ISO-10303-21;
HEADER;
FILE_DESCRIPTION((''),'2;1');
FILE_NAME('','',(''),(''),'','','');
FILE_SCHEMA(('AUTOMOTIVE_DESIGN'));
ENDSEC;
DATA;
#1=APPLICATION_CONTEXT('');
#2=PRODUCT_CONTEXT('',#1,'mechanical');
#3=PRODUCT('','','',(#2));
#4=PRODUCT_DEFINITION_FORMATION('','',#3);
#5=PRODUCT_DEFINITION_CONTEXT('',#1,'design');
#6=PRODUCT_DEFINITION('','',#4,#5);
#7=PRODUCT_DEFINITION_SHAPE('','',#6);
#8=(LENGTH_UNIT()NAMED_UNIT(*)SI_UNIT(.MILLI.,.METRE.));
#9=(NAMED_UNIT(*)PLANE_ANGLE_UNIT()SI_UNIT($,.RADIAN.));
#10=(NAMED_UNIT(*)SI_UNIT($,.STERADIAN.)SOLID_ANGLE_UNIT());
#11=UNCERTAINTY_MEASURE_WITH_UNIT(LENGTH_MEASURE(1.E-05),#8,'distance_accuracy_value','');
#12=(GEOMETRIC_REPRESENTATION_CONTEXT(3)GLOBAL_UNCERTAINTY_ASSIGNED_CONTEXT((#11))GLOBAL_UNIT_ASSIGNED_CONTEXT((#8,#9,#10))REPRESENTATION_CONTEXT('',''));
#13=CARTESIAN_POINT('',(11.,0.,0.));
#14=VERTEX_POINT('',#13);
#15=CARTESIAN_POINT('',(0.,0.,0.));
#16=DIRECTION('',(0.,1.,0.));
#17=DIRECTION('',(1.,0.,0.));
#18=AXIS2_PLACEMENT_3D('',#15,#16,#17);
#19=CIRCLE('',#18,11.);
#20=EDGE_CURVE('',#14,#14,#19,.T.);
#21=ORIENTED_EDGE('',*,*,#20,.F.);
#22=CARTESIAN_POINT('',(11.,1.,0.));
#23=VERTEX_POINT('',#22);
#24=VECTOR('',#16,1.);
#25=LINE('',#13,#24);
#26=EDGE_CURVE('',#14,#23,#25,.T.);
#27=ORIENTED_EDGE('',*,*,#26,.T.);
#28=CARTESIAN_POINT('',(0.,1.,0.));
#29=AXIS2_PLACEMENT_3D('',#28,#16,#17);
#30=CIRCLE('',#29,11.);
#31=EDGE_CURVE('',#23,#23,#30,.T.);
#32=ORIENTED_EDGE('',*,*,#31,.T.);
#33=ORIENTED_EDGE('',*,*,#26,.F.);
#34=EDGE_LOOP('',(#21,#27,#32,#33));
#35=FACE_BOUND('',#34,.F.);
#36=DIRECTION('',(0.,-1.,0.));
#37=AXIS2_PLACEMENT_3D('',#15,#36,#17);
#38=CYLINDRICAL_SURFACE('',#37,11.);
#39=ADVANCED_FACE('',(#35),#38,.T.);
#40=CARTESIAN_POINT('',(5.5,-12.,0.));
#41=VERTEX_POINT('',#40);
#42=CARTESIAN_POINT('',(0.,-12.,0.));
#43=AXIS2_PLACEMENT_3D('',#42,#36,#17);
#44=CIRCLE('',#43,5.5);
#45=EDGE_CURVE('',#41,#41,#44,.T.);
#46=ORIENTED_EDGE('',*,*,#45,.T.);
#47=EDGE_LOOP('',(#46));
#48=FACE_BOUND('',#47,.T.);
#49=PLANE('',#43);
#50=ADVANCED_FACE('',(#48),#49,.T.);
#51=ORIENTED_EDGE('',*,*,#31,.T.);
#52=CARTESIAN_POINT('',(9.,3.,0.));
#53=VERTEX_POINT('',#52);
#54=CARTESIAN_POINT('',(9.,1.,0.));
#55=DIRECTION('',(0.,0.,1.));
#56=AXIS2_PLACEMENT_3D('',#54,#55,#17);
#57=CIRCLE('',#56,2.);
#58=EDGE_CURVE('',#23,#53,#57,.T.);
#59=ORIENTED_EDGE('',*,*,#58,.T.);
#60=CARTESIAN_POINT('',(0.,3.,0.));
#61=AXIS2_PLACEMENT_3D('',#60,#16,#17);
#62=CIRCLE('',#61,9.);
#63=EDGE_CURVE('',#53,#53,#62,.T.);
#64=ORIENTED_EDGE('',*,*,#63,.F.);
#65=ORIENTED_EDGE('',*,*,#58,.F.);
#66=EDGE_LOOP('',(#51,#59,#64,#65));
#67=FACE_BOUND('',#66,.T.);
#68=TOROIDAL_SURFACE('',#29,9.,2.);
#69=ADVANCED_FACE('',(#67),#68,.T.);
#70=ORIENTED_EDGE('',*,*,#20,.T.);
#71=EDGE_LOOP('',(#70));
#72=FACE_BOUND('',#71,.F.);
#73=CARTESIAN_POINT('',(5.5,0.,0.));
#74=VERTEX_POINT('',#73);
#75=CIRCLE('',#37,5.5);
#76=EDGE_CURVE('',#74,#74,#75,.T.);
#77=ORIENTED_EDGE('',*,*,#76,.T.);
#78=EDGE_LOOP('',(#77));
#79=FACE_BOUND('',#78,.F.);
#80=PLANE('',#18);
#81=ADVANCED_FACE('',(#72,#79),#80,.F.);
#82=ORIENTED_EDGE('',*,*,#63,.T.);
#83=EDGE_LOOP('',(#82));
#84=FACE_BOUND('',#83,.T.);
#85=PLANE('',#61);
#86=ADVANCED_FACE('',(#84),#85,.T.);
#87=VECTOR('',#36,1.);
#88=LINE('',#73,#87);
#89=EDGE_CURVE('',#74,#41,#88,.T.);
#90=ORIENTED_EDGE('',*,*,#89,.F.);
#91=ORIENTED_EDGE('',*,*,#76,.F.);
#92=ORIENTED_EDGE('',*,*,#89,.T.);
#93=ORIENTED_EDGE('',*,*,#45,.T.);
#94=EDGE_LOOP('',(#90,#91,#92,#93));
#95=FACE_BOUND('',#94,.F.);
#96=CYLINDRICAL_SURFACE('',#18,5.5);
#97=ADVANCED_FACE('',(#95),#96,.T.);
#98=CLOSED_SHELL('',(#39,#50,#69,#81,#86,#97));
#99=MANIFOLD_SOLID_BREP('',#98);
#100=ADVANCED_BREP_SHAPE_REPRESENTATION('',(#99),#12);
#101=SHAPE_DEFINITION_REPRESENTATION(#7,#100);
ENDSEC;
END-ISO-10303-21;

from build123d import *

# Parameters (mm, degrees)
SKETCH2_R           = 11
BOSS_EXTRUDE1_DEPTH = 3
FILLET1_R           = 2
SKETCH3_R           = 5.5
BOSS_EXTRUDE2_DEPTH = 12


with BuildPart() as part:
    # Sketch2 → Boss-Extrude1 (new body)
    with BuildSketch(Plane(origin=(0, 0, 0), x_dir=(1, 0, 0), z_dir=(0, 1, 0))):
        Circle(SKETCH2_R)
    extrude(amount=BOSS_EXTRUDE1_DEPTH)

    # Fillet1
    fillet1_edges = [part.edges().sort_by_distance(p)[0] for p in [
        (-11, 3, 0),
    ]]
    fillet(fillet1_edges, radius=FILLET1_R)

    # Sketch3 → Boss-Extrude2 (add)
    with BuildSketch(Plane.XZ):
        Circle(SKETCH3_R)
    extrude(amount=BOSS_EXTRUDE2_DEPTH)


solid = part.part
